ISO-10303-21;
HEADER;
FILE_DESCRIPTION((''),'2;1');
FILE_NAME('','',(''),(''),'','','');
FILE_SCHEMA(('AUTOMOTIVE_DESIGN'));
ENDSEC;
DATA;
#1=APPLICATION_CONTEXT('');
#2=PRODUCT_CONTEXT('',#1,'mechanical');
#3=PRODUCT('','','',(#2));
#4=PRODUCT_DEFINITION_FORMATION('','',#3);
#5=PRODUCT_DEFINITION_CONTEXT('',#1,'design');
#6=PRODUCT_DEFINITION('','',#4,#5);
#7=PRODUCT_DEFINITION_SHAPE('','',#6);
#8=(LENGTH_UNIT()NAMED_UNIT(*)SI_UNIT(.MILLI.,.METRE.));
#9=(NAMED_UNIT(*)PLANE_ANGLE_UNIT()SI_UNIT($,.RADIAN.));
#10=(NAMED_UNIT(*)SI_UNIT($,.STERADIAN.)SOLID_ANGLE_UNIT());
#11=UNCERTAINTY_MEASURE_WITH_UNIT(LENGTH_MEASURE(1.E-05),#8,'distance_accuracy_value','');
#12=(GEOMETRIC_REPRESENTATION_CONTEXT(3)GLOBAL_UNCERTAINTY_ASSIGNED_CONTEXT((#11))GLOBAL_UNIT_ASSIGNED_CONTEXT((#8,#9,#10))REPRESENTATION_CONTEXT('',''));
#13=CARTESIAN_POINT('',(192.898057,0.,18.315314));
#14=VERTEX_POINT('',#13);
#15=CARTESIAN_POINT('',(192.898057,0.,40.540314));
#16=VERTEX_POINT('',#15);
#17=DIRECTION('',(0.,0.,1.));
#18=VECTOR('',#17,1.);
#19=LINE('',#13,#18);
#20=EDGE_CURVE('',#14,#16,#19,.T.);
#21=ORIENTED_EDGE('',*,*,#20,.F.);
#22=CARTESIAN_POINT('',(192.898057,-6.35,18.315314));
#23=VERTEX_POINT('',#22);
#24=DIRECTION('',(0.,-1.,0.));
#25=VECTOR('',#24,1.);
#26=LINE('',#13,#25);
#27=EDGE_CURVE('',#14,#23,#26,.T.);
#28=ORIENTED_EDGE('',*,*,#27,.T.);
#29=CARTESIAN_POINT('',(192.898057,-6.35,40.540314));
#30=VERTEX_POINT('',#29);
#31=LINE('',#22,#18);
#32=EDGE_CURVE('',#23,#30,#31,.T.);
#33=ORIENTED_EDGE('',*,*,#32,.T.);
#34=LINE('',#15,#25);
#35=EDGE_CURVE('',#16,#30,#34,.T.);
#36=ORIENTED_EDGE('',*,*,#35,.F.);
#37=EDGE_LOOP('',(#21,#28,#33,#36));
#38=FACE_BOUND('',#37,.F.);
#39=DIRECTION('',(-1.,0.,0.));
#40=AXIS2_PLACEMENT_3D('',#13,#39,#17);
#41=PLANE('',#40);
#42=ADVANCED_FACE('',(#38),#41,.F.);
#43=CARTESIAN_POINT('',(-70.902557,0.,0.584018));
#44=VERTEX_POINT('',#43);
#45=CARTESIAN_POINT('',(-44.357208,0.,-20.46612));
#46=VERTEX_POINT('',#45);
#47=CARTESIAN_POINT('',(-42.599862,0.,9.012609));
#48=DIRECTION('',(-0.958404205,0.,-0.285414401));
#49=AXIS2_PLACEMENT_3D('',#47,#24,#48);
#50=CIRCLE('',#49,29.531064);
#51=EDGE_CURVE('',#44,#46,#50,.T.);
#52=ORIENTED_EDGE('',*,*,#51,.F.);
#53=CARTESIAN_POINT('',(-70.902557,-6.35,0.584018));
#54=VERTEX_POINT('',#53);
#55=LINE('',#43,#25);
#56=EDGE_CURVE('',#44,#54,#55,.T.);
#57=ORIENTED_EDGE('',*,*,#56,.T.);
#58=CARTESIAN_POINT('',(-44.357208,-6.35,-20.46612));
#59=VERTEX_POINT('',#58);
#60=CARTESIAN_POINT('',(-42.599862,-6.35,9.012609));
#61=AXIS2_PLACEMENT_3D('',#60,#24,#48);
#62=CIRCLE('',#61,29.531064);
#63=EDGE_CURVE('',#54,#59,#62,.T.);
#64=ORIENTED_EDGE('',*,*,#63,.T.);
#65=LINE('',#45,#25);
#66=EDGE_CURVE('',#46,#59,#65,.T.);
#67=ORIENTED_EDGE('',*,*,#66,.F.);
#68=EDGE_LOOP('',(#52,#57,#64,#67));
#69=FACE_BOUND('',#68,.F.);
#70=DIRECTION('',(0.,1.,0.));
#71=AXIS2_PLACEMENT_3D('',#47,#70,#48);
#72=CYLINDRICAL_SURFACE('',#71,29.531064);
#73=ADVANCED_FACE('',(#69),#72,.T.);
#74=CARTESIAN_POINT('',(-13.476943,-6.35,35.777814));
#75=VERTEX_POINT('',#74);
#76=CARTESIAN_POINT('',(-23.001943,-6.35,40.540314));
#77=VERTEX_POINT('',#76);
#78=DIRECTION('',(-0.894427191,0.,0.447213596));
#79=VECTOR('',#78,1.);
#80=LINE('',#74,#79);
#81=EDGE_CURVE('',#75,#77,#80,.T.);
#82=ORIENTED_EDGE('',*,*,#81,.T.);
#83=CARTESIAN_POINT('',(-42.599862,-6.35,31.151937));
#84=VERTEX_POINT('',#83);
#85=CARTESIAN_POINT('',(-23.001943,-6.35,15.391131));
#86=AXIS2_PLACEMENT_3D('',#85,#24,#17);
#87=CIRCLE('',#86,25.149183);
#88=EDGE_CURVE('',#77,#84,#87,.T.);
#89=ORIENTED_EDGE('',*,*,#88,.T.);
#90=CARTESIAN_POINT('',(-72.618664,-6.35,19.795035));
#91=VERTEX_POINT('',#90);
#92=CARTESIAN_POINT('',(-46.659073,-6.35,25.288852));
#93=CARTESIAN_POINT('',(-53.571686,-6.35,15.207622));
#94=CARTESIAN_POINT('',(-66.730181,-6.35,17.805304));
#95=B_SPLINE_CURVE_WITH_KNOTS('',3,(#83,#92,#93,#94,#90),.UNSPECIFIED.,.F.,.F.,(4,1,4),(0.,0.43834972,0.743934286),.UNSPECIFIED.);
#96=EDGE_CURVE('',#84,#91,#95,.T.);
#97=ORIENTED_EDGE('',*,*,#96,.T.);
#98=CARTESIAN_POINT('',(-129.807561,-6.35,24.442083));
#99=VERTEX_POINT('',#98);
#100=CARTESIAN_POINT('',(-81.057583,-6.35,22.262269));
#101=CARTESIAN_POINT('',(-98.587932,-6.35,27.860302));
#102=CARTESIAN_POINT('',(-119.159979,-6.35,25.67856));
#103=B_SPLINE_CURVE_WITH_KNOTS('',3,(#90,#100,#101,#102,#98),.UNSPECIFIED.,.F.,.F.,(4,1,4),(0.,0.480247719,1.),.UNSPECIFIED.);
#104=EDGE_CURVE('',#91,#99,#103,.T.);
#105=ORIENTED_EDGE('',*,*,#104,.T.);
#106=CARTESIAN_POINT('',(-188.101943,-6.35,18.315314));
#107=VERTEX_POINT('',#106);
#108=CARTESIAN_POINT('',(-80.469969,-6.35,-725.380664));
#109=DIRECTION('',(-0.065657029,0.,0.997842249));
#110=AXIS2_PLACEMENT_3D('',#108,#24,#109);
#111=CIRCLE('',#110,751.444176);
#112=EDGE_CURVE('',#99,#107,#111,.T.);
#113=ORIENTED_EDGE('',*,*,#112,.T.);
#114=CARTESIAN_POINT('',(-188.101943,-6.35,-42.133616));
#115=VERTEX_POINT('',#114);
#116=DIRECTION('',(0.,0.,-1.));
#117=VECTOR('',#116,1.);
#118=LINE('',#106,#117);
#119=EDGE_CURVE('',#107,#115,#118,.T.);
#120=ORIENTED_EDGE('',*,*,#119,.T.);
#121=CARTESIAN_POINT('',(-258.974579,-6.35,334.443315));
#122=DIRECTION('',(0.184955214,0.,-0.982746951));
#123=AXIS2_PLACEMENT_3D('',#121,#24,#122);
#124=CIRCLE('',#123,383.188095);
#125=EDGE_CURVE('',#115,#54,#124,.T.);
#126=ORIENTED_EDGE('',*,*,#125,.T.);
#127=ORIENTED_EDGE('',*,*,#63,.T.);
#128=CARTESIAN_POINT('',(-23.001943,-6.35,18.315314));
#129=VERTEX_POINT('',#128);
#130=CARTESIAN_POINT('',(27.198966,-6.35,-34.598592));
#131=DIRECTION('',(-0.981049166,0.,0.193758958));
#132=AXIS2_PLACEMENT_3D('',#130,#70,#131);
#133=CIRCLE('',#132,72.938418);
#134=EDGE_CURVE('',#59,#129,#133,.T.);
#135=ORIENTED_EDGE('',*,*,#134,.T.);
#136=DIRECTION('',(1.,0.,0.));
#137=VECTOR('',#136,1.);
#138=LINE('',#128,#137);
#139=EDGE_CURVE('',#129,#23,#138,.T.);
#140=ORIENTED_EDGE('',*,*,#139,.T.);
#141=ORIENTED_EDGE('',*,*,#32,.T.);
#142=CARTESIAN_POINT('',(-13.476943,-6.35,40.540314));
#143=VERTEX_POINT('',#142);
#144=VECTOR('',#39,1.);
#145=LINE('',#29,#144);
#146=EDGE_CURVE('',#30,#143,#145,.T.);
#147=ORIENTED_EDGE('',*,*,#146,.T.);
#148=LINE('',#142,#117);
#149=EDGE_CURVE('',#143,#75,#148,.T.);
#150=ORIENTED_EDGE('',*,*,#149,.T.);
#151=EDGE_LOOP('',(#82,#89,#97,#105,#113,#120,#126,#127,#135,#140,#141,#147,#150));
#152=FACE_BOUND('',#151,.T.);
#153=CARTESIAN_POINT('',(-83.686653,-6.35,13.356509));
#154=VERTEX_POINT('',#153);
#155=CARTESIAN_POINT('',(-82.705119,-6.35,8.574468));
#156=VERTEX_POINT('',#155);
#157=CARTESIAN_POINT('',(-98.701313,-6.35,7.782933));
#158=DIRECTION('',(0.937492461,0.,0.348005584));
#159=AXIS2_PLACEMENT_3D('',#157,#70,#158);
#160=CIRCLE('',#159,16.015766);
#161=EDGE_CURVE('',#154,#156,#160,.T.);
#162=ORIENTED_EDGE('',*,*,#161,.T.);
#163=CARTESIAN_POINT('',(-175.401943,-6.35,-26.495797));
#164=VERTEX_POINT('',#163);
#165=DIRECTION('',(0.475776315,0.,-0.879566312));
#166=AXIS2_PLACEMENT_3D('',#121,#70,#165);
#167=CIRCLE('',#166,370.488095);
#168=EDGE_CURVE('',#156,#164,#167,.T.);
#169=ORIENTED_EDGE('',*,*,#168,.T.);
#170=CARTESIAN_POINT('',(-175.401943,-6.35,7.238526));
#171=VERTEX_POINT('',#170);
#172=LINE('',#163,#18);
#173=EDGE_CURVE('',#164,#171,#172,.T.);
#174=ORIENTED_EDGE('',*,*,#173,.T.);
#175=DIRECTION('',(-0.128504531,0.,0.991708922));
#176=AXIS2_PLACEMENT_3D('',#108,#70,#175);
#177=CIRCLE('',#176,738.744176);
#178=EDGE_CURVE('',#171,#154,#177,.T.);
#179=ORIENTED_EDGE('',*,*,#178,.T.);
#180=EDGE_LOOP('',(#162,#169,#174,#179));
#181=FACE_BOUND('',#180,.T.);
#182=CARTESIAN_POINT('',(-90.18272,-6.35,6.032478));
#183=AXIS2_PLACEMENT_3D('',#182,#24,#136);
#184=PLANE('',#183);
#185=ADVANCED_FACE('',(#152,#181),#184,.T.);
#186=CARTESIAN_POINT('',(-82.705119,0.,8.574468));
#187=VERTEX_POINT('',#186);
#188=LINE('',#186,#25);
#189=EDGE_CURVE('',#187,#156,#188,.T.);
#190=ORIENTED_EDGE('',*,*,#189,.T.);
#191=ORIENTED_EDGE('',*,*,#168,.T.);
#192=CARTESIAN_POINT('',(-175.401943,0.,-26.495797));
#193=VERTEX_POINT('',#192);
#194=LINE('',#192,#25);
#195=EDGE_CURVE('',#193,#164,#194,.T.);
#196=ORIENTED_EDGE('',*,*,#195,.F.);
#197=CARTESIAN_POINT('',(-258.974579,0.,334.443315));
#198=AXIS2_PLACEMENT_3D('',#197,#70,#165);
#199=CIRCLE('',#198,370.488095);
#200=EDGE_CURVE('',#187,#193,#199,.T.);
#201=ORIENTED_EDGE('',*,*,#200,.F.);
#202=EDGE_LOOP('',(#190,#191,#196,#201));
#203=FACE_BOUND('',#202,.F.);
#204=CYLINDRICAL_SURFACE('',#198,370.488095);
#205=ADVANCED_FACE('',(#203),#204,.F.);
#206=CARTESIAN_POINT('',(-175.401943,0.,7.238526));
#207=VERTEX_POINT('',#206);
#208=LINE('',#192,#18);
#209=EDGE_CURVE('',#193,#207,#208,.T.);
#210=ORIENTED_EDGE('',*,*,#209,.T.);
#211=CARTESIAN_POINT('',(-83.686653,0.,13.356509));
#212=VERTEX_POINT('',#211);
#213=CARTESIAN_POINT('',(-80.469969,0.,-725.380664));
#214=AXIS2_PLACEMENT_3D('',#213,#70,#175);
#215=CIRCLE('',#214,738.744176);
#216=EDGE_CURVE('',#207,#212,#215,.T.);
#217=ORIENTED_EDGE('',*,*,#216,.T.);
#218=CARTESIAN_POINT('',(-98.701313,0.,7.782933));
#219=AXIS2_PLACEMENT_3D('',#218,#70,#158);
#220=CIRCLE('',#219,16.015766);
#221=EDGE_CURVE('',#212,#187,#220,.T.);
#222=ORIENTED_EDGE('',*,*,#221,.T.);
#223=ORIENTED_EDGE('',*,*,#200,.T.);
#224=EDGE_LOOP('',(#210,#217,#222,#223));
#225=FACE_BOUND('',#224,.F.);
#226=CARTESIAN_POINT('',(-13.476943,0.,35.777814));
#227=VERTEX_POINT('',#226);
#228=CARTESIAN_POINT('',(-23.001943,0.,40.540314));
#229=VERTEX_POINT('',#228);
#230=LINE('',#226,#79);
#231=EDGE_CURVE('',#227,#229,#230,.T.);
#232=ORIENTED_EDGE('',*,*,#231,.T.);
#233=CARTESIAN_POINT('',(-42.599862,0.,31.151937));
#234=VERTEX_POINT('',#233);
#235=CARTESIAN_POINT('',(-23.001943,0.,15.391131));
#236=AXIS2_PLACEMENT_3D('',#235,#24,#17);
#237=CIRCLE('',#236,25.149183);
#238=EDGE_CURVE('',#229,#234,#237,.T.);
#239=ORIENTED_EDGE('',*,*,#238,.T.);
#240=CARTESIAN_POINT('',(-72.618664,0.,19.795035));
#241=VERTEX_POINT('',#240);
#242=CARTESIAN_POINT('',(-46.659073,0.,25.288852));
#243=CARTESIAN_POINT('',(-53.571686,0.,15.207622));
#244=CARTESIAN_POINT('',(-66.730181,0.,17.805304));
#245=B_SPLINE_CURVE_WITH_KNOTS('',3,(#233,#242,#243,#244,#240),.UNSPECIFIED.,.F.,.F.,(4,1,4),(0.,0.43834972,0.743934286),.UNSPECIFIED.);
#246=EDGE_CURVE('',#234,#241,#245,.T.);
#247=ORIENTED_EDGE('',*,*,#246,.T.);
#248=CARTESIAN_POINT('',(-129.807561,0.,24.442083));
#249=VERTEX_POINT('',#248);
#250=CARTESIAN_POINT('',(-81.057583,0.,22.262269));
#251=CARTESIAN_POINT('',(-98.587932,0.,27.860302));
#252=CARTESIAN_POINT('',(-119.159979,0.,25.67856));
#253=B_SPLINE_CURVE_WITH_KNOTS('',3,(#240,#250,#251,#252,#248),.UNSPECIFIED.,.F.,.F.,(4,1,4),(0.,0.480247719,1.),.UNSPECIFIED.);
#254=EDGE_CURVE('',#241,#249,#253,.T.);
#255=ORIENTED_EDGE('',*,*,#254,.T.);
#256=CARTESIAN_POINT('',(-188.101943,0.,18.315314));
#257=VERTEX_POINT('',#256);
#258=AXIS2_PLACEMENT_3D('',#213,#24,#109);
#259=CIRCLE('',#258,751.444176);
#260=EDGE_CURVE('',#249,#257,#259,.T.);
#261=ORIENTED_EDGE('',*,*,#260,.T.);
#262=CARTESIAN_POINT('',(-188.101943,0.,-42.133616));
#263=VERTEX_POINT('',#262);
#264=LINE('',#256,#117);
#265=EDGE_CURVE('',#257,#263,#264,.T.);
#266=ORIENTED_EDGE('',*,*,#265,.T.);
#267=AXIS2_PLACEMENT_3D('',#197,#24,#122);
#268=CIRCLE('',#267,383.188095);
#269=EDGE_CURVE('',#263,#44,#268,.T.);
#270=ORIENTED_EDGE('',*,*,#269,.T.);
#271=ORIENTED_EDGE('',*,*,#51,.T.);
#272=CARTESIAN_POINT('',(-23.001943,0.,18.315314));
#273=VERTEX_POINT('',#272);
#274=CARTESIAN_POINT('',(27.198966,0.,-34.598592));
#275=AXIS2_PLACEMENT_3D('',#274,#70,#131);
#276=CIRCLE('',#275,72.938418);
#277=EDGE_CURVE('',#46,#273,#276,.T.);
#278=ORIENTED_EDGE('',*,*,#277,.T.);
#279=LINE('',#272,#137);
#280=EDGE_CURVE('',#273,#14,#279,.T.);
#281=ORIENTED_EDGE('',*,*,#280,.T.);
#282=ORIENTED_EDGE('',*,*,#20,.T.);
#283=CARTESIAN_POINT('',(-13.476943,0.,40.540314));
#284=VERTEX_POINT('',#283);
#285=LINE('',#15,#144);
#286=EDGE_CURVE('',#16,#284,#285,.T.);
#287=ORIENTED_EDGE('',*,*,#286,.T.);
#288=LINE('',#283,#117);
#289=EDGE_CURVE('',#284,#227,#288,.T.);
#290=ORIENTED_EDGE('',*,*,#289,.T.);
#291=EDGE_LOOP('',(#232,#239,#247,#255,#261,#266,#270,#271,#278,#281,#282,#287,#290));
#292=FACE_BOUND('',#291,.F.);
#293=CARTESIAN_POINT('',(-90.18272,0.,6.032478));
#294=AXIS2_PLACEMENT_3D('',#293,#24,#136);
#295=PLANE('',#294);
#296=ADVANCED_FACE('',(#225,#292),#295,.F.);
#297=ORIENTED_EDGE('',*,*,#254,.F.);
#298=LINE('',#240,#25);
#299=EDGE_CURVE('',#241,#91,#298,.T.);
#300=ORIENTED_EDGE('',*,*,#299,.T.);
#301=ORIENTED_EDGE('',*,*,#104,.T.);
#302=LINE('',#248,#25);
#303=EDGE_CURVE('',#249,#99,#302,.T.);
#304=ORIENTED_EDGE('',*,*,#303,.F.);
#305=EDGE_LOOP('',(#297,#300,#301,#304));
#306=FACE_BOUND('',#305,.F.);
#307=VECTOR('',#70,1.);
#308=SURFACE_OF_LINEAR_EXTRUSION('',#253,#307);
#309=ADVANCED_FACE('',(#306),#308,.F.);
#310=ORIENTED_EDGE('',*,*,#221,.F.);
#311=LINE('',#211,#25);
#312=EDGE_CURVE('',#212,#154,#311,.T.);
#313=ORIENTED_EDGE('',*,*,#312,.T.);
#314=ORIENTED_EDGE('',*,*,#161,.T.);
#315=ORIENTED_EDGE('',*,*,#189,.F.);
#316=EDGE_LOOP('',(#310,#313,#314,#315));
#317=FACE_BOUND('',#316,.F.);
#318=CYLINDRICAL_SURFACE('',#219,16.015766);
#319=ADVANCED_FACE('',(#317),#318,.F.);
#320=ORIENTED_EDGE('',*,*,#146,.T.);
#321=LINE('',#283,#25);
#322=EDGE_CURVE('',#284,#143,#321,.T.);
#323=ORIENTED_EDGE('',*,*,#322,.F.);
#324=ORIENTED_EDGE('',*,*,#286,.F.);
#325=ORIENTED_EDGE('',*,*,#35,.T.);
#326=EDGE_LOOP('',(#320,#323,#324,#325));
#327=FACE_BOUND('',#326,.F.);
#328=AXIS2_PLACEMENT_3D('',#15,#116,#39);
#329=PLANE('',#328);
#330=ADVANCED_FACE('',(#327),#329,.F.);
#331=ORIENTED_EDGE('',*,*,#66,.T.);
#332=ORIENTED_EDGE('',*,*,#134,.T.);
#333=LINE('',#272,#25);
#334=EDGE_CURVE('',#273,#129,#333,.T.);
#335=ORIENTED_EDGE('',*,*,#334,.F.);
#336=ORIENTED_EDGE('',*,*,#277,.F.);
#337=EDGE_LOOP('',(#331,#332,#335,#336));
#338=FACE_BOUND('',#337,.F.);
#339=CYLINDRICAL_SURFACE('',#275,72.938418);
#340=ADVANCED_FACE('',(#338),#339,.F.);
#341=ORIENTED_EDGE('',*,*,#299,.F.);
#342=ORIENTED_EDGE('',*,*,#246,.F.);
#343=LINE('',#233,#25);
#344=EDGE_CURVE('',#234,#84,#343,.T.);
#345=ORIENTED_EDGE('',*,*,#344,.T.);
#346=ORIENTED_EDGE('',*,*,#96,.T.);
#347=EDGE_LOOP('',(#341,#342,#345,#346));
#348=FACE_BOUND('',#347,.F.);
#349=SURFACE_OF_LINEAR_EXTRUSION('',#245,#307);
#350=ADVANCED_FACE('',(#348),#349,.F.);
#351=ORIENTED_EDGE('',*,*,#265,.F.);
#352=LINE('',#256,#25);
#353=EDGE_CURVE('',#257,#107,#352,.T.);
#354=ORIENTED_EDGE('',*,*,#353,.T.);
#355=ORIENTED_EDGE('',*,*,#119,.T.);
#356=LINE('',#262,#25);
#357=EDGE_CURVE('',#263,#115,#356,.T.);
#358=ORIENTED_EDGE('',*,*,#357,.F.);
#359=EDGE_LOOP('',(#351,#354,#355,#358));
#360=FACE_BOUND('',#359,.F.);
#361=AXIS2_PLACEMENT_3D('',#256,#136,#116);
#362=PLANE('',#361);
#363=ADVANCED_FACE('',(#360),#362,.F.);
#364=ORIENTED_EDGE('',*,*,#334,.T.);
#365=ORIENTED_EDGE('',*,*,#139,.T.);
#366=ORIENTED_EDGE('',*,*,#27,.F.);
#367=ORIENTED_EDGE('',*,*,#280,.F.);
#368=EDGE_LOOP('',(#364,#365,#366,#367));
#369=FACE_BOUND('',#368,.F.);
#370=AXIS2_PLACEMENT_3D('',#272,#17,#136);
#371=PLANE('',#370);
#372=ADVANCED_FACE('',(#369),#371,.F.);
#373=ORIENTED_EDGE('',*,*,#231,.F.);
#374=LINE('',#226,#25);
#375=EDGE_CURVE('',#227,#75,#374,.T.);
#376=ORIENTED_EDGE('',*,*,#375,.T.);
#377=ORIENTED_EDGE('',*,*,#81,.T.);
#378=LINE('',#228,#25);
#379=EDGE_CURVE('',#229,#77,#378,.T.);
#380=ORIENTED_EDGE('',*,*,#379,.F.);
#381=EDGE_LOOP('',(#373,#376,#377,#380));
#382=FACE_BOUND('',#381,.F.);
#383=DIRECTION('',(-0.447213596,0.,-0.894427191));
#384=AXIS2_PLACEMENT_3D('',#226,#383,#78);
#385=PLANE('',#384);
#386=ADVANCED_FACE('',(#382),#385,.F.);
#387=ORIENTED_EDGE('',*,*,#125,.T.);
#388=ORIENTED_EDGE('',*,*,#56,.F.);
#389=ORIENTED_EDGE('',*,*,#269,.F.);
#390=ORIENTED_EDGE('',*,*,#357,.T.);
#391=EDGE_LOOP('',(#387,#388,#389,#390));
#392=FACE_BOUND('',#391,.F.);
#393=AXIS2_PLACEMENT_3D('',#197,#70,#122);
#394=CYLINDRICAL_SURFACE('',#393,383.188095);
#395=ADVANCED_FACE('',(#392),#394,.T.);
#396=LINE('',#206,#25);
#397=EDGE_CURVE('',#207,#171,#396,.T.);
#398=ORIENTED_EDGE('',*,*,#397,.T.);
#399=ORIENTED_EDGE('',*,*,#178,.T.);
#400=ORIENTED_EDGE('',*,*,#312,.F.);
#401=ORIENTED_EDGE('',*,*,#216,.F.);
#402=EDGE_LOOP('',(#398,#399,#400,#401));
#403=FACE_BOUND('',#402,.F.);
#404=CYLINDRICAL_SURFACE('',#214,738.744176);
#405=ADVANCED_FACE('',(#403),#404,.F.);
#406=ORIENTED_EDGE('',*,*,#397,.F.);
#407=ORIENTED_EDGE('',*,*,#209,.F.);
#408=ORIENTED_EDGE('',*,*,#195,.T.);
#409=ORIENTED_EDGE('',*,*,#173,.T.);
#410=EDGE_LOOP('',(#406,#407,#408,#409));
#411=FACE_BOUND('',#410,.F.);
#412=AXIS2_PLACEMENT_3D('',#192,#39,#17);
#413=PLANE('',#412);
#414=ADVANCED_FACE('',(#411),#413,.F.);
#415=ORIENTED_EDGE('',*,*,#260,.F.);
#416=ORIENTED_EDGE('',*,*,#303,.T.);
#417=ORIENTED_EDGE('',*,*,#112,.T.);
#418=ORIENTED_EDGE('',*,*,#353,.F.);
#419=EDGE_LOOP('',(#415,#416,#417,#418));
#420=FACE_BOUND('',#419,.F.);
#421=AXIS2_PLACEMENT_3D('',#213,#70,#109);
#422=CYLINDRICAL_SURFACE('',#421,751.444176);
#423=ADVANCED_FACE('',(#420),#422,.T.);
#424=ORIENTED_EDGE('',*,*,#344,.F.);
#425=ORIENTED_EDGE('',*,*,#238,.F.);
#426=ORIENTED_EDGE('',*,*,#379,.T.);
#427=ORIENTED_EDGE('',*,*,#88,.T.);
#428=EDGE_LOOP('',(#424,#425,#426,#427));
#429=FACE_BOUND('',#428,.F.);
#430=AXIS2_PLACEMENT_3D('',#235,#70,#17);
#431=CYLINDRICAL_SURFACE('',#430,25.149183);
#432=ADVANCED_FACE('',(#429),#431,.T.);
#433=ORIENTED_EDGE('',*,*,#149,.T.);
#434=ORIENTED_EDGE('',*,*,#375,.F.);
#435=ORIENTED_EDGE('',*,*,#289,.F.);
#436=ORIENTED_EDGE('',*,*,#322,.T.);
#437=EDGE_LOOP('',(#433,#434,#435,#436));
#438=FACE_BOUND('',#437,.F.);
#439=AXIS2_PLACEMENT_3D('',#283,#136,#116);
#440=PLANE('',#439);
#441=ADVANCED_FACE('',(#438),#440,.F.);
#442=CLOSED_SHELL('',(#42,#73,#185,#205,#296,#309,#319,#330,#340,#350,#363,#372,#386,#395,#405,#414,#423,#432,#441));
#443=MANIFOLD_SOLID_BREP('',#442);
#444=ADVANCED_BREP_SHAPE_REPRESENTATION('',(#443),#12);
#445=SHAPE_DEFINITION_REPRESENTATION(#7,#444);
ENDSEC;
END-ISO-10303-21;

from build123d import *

# Parameters (mm, degrees)
F0_W     = 9.525
F0_H     = 3.175
F1_DEPTH = 6.35


with BuildPart() as f1:
    # F0 (on Front) → F1 (new body)
    with BuildSketch(Plane.XZ):
        with BuildLine():
            Line((5.5730567589, 21.4903141894), (15.0980567589, 21.4903141894))
            Line((15.0980567589, 21.4903141894), (15.0980567589, 40.5403141894))
            Line((15.0980567589, 40.5403141894), (-13.4769432411, 40.5403141894))
            Line((-13.4769432411, 40.5403141894), (-13.4769432411, 35.7778141894))
            Line((-13.4769432411, 35.7778141894), (-23.0019432411, 40.5403141894))
            ThreePointArc((-23.0019432411, 40.5403141894), (-33.867255358, 38.0721011887), (-42.5998616764, 31.1519371949))
            add(Edge.make_bspline(
                [(-42.5998616764, 31.1519371949), (-46.6590733544, 25.2888518496), (-53.5716864964, 15.207621755), (-66.7301810359, 17.8053043808), (-72.6186635442, 19.795035437)],
                knots=[0, 0, 0, 0, 0.4383497203, 0.7439342861, 0.7439342861, 0.7439342861, 0.7439342861], degree=3))
            add(Edge.make_bspline(
                [(-72.6186635442, 19.795035437), (-81.0575831898, 22.2622691724), (-98.5879322702, 27.8603017843), (-119.1599788422, 25.6785600172), (-129.8075613689, 24.4420829033)],
                knots=[0, 0, 0, 0, 0.4802477188, 1, 1, 1, 1], degree=3))
            ThreePointArc((-129.8075613689, 24.4420829033), (-159.0145139042, 21.9473123865), (-188.1019432411, 18.3153141894))
            Line((-188.1019432411, 18.3153141894), (-188.1019432411, -42.1336164723))
            ThreePointArc((-188.1019432411, -42.1336164723), (-127.7523133593, -25.5758966807), (-70.9025571094, 0.5840178049))
            ThreePointArc((-70.9025571094, 0.5840178049), (-60.9486654015, -14.1262140362), (-44.3572076008, -20.4661201082))
            ThreePointArc((-44.3572076008, -20.4661201082), (-36.6931048374, 0.5840178049), (-23.0019432411, 18.3153141894))
            Line((-23.0019432411, 18.3153141894), (5.5730567589, 18.3153141894))
            Line((5.5730567589, 18.3153141894), (5.5730567589, 21.4903141894))
        make_face()
        with BuildLine():
            ThreePointArc((-175.4019432411, 7.2385263271), (-129.6395451528, 11.7253734892), (-83.6866532576, 13.356508896))
            ThreePointArc((-83.6866532576, 13.356508896), (-83.0126150127, 11.0031055301), (-82.7051188135, 8.5744678368))
            ThreePointArc((-82.7051188135, 8.5744678368), (-127.8755340793, -12.0743160039), (-175.4019432411, -26.4957972582))
            Line((-175.4019432411, -26.4957972582), (-175.4019432411, 7.2385263271))
        make_face(mode=Mode.SUBTRACT)
        with Locations((10.3355567589, 19.9028141894)):
            Rectangle(F0_W, F0_H)
        Polygon((15.0980567589, 21.4903141894), (15.0980567589, 18.3153141894), (192.8980567589, 18.3153141894), (192.8980567589, 40.5403141894), (15.0980567589, 40.5403141894), align=None)
    extrude(amount=F1_DEPTH)


solid = f1.part
